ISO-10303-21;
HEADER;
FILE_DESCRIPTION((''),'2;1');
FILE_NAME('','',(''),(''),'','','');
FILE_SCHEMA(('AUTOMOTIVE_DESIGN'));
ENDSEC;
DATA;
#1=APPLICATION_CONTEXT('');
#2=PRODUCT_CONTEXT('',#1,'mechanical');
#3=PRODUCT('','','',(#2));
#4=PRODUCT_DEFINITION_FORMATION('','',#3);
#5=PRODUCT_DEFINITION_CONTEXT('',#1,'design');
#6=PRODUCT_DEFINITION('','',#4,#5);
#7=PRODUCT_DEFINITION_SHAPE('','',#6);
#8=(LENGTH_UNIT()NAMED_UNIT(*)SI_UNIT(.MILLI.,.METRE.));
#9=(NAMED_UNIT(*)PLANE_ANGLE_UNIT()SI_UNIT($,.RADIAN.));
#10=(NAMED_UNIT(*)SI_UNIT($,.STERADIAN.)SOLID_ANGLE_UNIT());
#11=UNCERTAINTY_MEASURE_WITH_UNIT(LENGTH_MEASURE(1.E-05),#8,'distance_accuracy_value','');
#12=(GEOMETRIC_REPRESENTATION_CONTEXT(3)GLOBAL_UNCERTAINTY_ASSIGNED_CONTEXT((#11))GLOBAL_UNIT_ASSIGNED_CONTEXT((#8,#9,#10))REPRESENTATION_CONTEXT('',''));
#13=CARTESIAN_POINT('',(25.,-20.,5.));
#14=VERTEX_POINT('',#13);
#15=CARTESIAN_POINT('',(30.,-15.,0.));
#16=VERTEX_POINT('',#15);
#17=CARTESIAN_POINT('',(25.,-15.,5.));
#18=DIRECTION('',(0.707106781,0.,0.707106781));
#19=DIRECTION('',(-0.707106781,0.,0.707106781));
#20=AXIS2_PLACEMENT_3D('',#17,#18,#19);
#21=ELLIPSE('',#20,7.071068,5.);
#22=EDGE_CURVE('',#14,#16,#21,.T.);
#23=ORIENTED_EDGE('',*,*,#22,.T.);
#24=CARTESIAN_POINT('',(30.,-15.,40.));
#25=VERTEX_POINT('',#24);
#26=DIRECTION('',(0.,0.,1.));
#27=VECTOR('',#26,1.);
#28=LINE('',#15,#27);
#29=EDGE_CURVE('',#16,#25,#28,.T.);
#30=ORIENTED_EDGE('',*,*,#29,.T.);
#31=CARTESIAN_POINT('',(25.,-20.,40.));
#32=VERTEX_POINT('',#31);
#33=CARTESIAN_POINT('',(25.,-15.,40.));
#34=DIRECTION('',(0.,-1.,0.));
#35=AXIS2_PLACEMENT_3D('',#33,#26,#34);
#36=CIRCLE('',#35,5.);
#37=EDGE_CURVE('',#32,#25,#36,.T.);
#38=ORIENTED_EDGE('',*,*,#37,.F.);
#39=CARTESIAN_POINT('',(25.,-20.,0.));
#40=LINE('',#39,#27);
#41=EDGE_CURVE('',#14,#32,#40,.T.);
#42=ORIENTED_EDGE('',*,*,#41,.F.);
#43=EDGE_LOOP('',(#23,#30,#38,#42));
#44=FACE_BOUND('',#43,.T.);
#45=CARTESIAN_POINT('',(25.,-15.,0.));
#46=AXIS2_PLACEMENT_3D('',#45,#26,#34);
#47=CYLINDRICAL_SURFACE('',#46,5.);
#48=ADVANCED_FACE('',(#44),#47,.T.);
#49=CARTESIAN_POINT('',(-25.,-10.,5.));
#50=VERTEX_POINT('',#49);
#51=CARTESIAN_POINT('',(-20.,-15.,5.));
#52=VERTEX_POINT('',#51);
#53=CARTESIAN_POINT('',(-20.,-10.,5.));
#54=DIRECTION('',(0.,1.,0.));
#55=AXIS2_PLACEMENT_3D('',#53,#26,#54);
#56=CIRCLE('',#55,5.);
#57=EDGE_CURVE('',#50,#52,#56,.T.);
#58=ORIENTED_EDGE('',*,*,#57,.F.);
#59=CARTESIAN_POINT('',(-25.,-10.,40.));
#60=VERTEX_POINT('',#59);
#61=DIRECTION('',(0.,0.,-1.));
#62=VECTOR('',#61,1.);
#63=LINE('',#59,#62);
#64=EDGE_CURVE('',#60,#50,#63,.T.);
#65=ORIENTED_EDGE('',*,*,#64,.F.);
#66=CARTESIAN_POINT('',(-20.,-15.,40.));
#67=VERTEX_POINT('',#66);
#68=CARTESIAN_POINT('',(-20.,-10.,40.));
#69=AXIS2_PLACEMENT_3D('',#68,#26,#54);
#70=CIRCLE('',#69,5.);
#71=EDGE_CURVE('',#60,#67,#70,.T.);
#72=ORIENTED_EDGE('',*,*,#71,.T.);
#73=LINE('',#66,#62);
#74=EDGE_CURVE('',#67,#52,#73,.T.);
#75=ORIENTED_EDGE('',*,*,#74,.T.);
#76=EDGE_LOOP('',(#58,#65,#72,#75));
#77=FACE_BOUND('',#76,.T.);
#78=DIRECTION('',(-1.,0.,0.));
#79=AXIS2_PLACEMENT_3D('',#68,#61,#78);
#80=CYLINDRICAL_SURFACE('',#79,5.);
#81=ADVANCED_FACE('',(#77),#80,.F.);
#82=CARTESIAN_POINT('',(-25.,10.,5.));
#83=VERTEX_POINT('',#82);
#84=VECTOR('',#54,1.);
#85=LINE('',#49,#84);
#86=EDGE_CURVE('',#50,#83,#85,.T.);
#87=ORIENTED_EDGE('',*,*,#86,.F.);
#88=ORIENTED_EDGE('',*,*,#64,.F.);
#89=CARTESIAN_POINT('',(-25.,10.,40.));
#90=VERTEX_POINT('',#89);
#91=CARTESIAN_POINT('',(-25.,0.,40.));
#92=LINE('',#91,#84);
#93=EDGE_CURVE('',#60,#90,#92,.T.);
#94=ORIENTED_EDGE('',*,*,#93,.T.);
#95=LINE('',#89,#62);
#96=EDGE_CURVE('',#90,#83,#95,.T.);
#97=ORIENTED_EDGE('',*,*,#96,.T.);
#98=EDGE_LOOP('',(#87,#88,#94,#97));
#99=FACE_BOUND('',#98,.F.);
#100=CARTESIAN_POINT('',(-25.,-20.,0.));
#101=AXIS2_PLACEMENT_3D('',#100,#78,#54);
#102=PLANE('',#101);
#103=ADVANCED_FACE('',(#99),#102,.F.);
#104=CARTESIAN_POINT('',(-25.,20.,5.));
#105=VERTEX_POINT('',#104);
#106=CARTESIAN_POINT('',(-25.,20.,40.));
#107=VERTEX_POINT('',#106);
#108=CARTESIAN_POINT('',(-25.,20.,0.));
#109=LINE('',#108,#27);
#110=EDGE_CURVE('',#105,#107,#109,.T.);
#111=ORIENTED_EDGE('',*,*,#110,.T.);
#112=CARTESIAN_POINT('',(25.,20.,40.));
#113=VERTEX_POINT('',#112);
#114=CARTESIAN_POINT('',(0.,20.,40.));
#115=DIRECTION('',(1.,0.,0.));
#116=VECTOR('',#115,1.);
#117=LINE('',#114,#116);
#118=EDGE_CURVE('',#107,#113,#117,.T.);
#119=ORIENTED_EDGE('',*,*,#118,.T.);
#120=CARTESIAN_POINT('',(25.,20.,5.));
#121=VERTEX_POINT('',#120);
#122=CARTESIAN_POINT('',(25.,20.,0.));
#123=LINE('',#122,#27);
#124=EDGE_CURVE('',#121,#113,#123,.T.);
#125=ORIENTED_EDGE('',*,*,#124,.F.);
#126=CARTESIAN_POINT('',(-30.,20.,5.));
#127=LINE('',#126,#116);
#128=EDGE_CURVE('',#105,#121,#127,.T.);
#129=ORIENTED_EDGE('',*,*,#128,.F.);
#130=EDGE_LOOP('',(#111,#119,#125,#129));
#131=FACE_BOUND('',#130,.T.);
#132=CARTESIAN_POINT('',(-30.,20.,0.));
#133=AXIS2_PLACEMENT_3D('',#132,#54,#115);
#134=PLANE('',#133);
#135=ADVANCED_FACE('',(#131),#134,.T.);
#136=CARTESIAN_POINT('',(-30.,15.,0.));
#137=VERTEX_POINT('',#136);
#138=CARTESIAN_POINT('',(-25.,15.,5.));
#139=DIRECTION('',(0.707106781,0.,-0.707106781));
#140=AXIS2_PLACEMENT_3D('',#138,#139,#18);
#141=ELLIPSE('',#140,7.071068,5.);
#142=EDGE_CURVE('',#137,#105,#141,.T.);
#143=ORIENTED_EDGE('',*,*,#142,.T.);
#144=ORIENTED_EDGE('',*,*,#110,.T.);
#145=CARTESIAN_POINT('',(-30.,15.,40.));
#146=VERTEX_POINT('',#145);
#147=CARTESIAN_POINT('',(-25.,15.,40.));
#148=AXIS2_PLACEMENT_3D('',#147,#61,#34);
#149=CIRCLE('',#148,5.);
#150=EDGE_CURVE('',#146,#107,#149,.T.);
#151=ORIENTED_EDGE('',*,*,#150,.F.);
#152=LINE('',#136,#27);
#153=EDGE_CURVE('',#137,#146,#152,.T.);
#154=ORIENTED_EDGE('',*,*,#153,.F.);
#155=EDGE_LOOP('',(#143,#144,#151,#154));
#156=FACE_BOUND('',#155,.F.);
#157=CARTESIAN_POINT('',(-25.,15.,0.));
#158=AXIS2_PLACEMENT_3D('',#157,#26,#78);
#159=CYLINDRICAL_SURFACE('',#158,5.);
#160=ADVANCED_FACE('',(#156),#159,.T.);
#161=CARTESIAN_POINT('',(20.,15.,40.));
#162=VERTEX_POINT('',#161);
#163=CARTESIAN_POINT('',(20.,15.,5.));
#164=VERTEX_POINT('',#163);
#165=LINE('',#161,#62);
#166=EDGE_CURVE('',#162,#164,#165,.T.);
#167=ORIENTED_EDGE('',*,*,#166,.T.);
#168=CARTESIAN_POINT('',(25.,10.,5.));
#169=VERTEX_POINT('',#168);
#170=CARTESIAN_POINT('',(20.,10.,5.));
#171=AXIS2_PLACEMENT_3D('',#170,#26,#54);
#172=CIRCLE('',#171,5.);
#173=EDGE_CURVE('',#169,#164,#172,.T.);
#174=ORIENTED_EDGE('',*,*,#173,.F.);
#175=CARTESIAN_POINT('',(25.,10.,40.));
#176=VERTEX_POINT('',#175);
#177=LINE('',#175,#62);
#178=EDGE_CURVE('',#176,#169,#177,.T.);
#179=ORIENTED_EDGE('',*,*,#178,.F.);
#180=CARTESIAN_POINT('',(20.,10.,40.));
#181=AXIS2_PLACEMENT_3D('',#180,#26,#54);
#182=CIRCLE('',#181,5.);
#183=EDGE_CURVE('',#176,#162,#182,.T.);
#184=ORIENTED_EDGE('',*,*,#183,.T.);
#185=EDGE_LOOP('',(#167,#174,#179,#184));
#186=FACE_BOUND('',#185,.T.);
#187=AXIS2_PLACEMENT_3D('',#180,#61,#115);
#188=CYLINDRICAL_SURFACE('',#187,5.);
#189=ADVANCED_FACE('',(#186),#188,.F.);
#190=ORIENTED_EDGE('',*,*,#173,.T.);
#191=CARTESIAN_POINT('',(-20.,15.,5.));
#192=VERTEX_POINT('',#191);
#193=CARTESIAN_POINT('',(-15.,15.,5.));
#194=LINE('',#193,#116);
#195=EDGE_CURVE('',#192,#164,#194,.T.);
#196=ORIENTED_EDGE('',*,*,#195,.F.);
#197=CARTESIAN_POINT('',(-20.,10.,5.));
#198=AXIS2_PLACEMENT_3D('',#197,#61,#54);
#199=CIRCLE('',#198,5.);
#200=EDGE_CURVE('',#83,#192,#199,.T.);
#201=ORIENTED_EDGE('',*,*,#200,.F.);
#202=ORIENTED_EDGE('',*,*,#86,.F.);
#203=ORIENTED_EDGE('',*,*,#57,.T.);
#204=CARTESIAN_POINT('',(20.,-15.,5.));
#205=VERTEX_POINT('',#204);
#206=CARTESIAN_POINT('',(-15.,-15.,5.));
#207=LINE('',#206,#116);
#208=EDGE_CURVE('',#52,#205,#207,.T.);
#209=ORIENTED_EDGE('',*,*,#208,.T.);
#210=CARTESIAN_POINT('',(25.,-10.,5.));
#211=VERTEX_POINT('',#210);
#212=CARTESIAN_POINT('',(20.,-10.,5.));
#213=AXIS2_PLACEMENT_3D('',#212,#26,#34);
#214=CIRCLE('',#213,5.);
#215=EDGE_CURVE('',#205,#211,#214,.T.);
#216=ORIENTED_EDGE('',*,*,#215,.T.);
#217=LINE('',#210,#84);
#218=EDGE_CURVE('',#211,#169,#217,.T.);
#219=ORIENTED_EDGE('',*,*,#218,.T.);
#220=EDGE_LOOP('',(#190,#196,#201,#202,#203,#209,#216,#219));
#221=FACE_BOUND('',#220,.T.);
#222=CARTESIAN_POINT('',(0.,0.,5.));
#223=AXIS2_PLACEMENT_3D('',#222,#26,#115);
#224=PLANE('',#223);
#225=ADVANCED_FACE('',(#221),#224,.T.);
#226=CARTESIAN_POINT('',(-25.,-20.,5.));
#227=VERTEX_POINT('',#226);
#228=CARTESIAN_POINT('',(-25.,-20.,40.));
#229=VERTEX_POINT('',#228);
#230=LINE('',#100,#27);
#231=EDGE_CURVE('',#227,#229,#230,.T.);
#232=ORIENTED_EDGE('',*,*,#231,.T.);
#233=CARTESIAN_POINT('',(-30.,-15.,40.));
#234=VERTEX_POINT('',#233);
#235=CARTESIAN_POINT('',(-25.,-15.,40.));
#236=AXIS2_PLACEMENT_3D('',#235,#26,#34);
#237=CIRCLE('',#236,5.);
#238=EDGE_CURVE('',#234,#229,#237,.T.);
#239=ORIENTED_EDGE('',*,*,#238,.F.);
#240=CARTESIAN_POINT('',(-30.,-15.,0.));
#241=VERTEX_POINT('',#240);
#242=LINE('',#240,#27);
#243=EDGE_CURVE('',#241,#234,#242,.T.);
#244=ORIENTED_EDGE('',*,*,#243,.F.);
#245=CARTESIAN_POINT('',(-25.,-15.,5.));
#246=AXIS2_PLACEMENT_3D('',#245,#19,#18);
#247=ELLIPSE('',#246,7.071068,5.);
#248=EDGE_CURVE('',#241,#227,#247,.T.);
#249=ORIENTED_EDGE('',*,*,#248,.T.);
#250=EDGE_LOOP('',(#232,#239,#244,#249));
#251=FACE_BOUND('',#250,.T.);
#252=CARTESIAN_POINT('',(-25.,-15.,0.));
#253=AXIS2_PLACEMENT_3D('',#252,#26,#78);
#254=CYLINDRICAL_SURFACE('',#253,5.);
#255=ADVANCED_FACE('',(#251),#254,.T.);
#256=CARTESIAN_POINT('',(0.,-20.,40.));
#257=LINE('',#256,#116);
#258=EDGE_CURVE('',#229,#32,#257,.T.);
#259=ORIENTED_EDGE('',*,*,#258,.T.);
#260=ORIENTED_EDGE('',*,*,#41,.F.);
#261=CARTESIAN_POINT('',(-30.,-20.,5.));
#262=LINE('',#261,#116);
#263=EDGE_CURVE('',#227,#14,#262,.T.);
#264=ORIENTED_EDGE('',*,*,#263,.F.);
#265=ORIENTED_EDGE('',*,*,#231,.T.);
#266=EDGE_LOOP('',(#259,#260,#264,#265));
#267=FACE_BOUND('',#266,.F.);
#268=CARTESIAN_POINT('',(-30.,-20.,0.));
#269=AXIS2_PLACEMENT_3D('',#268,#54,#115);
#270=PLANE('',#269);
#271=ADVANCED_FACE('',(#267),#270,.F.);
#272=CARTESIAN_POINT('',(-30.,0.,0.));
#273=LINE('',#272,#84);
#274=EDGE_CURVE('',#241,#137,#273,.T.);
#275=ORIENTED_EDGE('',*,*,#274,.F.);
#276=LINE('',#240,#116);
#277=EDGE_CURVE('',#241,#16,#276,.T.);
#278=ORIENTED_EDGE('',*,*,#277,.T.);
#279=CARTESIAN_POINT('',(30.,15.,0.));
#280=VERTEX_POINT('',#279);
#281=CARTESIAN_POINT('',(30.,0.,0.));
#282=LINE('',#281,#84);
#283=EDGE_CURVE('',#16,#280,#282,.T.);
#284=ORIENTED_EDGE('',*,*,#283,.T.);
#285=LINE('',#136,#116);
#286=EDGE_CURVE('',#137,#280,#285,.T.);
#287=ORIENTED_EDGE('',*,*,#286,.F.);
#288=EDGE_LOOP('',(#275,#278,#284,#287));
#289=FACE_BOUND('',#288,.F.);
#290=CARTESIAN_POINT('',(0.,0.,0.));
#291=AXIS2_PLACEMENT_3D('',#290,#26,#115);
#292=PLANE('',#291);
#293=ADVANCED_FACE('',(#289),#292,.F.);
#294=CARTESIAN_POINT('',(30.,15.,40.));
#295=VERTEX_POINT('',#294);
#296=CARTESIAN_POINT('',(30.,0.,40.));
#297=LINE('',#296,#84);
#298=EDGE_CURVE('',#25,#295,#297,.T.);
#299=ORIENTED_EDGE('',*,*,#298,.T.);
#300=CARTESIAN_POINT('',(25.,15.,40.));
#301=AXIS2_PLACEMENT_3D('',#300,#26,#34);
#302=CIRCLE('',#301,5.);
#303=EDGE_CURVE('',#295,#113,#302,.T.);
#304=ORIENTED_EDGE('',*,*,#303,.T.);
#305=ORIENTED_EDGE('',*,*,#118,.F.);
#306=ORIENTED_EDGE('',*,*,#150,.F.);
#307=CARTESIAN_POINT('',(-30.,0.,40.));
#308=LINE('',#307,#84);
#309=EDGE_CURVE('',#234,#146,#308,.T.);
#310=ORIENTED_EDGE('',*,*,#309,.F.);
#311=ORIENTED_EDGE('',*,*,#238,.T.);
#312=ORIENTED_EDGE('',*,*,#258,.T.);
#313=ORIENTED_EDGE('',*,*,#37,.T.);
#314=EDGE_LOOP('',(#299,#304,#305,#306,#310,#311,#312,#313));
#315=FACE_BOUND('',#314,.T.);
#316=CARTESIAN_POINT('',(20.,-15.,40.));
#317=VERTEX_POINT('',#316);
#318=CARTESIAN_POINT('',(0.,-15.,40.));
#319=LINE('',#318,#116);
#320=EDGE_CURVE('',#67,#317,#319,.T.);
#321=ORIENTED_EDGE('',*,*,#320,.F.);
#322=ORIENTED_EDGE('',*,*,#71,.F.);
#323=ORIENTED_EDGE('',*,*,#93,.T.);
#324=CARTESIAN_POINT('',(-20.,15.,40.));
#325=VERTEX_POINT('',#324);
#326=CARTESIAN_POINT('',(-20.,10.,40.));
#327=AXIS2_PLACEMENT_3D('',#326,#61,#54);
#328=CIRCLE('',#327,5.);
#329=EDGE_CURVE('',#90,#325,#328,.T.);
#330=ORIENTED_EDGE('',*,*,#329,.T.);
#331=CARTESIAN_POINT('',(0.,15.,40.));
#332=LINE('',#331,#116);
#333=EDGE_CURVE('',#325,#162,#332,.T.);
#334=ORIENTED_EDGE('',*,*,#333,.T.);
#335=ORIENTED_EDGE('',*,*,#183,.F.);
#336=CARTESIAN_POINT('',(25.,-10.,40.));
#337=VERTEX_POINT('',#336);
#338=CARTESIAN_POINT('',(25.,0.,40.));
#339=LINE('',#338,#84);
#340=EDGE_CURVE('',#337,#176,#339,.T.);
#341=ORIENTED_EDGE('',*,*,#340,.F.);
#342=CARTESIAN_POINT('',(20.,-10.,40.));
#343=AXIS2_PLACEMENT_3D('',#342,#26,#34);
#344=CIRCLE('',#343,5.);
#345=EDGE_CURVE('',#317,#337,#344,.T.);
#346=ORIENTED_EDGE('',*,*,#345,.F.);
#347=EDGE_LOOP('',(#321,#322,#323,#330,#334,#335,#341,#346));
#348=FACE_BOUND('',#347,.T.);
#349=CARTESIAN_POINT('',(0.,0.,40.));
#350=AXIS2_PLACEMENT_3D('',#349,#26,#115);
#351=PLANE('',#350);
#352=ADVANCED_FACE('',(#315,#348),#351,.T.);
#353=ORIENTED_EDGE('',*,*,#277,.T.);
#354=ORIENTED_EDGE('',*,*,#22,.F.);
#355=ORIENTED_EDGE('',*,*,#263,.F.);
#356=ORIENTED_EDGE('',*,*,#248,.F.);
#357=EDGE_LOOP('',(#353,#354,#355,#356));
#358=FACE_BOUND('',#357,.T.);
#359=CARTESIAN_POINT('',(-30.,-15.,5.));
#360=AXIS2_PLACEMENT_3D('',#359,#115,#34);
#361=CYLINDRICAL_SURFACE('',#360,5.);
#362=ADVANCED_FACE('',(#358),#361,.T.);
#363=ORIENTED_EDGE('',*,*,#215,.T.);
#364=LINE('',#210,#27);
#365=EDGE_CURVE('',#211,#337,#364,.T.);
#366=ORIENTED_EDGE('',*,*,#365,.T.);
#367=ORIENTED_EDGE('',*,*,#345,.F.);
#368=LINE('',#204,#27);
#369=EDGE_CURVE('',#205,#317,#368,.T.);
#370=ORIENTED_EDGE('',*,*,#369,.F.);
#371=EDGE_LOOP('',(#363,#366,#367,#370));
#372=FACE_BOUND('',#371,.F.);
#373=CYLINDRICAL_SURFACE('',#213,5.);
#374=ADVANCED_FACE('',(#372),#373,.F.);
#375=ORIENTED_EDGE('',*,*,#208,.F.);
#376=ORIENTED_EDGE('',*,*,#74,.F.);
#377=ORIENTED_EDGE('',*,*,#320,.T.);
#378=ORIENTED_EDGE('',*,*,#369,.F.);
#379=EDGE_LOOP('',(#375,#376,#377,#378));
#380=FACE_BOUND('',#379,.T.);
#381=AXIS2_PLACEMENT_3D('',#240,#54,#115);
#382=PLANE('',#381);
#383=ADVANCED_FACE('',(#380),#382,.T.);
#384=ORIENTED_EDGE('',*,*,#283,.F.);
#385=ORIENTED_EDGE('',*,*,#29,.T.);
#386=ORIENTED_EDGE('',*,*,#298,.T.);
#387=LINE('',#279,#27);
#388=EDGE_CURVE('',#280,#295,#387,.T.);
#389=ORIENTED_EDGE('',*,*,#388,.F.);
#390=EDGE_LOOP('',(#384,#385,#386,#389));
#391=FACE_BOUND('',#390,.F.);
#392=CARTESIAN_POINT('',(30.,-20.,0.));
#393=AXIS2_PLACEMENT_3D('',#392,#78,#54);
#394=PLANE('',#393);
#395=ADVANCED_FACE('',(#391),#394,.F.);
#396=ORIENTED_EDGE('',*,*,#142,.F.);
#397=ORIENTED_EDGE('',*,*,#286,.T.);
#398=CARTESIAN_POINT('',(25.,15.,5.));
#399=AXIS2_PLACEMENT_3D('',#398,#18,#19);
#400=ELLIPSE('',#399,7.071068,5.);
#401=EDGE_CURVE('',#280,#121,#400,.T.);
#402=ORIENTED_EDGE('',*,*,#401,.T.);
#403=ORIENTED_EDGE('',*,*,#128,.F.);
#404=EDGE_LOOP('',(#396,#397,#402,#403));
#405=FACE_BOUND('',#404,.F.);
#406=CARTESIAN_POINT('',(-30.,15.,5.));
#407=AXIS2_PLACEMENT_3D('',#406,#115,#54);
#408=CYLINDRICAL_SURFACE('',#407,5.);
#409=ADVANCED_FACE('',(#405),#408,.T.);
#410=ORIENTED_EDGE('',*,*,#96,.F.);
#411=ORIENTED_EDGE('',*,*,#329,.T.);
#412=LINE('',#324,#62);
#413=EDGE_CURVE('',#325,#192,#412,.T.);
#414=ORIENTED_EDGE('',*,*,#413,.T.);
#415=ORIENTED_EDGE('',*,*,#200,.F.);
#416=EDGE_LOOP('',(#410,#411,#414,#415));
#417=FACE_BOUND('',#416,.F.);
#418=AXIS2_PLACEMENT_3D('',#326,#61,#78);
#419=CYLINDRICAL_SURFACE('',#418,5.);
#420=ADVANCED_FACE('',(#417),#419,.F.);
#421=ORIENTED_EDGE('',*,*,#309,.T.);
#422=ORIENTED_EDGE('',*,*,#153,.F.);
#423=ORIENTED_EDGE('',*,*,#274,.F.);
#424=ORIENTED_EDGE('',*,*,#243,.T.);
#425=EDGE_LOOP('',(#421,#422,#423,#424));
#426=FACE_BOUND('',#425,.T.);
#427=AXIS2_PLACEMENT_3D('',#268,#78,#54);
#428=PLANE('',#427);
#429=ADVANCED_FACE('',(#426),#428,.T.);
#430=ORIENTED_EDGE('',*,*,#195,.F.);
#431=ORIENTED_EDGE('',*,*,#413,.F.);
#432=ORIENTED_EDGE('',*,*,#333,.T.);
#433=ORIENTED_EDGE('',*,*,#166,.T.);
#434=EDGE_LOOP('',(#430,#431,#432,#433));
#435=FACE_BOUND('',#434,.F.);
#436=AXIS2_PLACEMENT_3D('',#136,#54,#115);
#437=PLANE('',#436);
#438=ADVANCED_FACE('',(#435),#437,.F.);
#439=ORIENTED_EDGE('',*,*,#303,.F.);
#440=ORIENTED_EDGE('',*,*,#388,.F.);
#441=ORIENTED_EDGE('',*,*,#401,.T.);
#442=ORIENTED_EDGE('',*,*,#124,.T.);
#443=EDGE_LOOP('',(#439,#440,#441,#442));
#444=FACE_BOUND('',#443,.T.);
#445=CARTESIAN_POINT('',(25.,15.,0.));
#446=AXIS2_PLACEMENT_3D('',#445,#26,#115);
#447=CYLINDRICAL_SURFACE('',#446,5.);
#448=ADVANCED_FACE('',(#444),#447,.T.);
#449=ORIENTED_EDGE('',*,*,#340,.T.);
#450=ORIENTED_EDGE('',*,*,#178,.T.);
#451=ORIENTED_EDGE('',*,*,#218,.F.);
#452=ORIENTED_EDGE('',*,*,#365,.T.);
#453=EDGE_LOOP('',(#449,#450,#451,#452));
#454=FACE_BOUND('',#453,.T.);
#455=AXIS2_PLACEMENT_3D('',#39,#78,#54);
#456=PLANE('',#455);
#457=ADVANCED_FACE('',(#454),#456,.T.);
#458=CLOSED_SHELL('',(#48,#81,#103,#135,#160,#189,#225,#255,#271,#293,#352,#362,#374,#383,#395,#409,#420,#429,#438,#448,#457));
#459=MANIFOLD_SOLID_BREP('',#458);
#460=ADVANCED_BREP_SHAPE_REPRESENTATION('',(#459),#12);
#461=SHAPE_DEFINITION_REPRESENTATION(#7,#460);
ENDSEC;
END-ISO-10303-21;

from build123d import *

# Parameters (mm, degrees)
F0_W     = 60
F0_H     = 40
F1_DEPTH = 40
F2_T     = -5
F3_R     = 5


with BuildPart() as f1:
    # F0 (on Top) → F1 (new body)
    with BuildSketch(Plane.XY):
        Rectangle(F0_W, F0_H)
    extrude(amount=F1_DEPTH)

    # F2
    f2_openings = [f1.faces().sort_by_distance(p)[0] for p in [
        (0, 0, 40),
    ]]
    offset(amount=F2_T, openings=f2_openings)

    # F3
    f3_edges = [f1.edges().sort_by_distance(p)[0] for p in [
        (-30, 20, 20),
        (30, 20, 20),
        (-30, -20, 20),
        (30, -20, 20),
        (-25, -15, 22.5),
        (-25, 15, 22.5),
        (25, -15, 22.5),
        (25, 15, 22.5),
        (0, 20, 0),
        (0, -20, 0),
    ]]
    fillet(f3_edges, radius=F3_R)


solid = f1.part
